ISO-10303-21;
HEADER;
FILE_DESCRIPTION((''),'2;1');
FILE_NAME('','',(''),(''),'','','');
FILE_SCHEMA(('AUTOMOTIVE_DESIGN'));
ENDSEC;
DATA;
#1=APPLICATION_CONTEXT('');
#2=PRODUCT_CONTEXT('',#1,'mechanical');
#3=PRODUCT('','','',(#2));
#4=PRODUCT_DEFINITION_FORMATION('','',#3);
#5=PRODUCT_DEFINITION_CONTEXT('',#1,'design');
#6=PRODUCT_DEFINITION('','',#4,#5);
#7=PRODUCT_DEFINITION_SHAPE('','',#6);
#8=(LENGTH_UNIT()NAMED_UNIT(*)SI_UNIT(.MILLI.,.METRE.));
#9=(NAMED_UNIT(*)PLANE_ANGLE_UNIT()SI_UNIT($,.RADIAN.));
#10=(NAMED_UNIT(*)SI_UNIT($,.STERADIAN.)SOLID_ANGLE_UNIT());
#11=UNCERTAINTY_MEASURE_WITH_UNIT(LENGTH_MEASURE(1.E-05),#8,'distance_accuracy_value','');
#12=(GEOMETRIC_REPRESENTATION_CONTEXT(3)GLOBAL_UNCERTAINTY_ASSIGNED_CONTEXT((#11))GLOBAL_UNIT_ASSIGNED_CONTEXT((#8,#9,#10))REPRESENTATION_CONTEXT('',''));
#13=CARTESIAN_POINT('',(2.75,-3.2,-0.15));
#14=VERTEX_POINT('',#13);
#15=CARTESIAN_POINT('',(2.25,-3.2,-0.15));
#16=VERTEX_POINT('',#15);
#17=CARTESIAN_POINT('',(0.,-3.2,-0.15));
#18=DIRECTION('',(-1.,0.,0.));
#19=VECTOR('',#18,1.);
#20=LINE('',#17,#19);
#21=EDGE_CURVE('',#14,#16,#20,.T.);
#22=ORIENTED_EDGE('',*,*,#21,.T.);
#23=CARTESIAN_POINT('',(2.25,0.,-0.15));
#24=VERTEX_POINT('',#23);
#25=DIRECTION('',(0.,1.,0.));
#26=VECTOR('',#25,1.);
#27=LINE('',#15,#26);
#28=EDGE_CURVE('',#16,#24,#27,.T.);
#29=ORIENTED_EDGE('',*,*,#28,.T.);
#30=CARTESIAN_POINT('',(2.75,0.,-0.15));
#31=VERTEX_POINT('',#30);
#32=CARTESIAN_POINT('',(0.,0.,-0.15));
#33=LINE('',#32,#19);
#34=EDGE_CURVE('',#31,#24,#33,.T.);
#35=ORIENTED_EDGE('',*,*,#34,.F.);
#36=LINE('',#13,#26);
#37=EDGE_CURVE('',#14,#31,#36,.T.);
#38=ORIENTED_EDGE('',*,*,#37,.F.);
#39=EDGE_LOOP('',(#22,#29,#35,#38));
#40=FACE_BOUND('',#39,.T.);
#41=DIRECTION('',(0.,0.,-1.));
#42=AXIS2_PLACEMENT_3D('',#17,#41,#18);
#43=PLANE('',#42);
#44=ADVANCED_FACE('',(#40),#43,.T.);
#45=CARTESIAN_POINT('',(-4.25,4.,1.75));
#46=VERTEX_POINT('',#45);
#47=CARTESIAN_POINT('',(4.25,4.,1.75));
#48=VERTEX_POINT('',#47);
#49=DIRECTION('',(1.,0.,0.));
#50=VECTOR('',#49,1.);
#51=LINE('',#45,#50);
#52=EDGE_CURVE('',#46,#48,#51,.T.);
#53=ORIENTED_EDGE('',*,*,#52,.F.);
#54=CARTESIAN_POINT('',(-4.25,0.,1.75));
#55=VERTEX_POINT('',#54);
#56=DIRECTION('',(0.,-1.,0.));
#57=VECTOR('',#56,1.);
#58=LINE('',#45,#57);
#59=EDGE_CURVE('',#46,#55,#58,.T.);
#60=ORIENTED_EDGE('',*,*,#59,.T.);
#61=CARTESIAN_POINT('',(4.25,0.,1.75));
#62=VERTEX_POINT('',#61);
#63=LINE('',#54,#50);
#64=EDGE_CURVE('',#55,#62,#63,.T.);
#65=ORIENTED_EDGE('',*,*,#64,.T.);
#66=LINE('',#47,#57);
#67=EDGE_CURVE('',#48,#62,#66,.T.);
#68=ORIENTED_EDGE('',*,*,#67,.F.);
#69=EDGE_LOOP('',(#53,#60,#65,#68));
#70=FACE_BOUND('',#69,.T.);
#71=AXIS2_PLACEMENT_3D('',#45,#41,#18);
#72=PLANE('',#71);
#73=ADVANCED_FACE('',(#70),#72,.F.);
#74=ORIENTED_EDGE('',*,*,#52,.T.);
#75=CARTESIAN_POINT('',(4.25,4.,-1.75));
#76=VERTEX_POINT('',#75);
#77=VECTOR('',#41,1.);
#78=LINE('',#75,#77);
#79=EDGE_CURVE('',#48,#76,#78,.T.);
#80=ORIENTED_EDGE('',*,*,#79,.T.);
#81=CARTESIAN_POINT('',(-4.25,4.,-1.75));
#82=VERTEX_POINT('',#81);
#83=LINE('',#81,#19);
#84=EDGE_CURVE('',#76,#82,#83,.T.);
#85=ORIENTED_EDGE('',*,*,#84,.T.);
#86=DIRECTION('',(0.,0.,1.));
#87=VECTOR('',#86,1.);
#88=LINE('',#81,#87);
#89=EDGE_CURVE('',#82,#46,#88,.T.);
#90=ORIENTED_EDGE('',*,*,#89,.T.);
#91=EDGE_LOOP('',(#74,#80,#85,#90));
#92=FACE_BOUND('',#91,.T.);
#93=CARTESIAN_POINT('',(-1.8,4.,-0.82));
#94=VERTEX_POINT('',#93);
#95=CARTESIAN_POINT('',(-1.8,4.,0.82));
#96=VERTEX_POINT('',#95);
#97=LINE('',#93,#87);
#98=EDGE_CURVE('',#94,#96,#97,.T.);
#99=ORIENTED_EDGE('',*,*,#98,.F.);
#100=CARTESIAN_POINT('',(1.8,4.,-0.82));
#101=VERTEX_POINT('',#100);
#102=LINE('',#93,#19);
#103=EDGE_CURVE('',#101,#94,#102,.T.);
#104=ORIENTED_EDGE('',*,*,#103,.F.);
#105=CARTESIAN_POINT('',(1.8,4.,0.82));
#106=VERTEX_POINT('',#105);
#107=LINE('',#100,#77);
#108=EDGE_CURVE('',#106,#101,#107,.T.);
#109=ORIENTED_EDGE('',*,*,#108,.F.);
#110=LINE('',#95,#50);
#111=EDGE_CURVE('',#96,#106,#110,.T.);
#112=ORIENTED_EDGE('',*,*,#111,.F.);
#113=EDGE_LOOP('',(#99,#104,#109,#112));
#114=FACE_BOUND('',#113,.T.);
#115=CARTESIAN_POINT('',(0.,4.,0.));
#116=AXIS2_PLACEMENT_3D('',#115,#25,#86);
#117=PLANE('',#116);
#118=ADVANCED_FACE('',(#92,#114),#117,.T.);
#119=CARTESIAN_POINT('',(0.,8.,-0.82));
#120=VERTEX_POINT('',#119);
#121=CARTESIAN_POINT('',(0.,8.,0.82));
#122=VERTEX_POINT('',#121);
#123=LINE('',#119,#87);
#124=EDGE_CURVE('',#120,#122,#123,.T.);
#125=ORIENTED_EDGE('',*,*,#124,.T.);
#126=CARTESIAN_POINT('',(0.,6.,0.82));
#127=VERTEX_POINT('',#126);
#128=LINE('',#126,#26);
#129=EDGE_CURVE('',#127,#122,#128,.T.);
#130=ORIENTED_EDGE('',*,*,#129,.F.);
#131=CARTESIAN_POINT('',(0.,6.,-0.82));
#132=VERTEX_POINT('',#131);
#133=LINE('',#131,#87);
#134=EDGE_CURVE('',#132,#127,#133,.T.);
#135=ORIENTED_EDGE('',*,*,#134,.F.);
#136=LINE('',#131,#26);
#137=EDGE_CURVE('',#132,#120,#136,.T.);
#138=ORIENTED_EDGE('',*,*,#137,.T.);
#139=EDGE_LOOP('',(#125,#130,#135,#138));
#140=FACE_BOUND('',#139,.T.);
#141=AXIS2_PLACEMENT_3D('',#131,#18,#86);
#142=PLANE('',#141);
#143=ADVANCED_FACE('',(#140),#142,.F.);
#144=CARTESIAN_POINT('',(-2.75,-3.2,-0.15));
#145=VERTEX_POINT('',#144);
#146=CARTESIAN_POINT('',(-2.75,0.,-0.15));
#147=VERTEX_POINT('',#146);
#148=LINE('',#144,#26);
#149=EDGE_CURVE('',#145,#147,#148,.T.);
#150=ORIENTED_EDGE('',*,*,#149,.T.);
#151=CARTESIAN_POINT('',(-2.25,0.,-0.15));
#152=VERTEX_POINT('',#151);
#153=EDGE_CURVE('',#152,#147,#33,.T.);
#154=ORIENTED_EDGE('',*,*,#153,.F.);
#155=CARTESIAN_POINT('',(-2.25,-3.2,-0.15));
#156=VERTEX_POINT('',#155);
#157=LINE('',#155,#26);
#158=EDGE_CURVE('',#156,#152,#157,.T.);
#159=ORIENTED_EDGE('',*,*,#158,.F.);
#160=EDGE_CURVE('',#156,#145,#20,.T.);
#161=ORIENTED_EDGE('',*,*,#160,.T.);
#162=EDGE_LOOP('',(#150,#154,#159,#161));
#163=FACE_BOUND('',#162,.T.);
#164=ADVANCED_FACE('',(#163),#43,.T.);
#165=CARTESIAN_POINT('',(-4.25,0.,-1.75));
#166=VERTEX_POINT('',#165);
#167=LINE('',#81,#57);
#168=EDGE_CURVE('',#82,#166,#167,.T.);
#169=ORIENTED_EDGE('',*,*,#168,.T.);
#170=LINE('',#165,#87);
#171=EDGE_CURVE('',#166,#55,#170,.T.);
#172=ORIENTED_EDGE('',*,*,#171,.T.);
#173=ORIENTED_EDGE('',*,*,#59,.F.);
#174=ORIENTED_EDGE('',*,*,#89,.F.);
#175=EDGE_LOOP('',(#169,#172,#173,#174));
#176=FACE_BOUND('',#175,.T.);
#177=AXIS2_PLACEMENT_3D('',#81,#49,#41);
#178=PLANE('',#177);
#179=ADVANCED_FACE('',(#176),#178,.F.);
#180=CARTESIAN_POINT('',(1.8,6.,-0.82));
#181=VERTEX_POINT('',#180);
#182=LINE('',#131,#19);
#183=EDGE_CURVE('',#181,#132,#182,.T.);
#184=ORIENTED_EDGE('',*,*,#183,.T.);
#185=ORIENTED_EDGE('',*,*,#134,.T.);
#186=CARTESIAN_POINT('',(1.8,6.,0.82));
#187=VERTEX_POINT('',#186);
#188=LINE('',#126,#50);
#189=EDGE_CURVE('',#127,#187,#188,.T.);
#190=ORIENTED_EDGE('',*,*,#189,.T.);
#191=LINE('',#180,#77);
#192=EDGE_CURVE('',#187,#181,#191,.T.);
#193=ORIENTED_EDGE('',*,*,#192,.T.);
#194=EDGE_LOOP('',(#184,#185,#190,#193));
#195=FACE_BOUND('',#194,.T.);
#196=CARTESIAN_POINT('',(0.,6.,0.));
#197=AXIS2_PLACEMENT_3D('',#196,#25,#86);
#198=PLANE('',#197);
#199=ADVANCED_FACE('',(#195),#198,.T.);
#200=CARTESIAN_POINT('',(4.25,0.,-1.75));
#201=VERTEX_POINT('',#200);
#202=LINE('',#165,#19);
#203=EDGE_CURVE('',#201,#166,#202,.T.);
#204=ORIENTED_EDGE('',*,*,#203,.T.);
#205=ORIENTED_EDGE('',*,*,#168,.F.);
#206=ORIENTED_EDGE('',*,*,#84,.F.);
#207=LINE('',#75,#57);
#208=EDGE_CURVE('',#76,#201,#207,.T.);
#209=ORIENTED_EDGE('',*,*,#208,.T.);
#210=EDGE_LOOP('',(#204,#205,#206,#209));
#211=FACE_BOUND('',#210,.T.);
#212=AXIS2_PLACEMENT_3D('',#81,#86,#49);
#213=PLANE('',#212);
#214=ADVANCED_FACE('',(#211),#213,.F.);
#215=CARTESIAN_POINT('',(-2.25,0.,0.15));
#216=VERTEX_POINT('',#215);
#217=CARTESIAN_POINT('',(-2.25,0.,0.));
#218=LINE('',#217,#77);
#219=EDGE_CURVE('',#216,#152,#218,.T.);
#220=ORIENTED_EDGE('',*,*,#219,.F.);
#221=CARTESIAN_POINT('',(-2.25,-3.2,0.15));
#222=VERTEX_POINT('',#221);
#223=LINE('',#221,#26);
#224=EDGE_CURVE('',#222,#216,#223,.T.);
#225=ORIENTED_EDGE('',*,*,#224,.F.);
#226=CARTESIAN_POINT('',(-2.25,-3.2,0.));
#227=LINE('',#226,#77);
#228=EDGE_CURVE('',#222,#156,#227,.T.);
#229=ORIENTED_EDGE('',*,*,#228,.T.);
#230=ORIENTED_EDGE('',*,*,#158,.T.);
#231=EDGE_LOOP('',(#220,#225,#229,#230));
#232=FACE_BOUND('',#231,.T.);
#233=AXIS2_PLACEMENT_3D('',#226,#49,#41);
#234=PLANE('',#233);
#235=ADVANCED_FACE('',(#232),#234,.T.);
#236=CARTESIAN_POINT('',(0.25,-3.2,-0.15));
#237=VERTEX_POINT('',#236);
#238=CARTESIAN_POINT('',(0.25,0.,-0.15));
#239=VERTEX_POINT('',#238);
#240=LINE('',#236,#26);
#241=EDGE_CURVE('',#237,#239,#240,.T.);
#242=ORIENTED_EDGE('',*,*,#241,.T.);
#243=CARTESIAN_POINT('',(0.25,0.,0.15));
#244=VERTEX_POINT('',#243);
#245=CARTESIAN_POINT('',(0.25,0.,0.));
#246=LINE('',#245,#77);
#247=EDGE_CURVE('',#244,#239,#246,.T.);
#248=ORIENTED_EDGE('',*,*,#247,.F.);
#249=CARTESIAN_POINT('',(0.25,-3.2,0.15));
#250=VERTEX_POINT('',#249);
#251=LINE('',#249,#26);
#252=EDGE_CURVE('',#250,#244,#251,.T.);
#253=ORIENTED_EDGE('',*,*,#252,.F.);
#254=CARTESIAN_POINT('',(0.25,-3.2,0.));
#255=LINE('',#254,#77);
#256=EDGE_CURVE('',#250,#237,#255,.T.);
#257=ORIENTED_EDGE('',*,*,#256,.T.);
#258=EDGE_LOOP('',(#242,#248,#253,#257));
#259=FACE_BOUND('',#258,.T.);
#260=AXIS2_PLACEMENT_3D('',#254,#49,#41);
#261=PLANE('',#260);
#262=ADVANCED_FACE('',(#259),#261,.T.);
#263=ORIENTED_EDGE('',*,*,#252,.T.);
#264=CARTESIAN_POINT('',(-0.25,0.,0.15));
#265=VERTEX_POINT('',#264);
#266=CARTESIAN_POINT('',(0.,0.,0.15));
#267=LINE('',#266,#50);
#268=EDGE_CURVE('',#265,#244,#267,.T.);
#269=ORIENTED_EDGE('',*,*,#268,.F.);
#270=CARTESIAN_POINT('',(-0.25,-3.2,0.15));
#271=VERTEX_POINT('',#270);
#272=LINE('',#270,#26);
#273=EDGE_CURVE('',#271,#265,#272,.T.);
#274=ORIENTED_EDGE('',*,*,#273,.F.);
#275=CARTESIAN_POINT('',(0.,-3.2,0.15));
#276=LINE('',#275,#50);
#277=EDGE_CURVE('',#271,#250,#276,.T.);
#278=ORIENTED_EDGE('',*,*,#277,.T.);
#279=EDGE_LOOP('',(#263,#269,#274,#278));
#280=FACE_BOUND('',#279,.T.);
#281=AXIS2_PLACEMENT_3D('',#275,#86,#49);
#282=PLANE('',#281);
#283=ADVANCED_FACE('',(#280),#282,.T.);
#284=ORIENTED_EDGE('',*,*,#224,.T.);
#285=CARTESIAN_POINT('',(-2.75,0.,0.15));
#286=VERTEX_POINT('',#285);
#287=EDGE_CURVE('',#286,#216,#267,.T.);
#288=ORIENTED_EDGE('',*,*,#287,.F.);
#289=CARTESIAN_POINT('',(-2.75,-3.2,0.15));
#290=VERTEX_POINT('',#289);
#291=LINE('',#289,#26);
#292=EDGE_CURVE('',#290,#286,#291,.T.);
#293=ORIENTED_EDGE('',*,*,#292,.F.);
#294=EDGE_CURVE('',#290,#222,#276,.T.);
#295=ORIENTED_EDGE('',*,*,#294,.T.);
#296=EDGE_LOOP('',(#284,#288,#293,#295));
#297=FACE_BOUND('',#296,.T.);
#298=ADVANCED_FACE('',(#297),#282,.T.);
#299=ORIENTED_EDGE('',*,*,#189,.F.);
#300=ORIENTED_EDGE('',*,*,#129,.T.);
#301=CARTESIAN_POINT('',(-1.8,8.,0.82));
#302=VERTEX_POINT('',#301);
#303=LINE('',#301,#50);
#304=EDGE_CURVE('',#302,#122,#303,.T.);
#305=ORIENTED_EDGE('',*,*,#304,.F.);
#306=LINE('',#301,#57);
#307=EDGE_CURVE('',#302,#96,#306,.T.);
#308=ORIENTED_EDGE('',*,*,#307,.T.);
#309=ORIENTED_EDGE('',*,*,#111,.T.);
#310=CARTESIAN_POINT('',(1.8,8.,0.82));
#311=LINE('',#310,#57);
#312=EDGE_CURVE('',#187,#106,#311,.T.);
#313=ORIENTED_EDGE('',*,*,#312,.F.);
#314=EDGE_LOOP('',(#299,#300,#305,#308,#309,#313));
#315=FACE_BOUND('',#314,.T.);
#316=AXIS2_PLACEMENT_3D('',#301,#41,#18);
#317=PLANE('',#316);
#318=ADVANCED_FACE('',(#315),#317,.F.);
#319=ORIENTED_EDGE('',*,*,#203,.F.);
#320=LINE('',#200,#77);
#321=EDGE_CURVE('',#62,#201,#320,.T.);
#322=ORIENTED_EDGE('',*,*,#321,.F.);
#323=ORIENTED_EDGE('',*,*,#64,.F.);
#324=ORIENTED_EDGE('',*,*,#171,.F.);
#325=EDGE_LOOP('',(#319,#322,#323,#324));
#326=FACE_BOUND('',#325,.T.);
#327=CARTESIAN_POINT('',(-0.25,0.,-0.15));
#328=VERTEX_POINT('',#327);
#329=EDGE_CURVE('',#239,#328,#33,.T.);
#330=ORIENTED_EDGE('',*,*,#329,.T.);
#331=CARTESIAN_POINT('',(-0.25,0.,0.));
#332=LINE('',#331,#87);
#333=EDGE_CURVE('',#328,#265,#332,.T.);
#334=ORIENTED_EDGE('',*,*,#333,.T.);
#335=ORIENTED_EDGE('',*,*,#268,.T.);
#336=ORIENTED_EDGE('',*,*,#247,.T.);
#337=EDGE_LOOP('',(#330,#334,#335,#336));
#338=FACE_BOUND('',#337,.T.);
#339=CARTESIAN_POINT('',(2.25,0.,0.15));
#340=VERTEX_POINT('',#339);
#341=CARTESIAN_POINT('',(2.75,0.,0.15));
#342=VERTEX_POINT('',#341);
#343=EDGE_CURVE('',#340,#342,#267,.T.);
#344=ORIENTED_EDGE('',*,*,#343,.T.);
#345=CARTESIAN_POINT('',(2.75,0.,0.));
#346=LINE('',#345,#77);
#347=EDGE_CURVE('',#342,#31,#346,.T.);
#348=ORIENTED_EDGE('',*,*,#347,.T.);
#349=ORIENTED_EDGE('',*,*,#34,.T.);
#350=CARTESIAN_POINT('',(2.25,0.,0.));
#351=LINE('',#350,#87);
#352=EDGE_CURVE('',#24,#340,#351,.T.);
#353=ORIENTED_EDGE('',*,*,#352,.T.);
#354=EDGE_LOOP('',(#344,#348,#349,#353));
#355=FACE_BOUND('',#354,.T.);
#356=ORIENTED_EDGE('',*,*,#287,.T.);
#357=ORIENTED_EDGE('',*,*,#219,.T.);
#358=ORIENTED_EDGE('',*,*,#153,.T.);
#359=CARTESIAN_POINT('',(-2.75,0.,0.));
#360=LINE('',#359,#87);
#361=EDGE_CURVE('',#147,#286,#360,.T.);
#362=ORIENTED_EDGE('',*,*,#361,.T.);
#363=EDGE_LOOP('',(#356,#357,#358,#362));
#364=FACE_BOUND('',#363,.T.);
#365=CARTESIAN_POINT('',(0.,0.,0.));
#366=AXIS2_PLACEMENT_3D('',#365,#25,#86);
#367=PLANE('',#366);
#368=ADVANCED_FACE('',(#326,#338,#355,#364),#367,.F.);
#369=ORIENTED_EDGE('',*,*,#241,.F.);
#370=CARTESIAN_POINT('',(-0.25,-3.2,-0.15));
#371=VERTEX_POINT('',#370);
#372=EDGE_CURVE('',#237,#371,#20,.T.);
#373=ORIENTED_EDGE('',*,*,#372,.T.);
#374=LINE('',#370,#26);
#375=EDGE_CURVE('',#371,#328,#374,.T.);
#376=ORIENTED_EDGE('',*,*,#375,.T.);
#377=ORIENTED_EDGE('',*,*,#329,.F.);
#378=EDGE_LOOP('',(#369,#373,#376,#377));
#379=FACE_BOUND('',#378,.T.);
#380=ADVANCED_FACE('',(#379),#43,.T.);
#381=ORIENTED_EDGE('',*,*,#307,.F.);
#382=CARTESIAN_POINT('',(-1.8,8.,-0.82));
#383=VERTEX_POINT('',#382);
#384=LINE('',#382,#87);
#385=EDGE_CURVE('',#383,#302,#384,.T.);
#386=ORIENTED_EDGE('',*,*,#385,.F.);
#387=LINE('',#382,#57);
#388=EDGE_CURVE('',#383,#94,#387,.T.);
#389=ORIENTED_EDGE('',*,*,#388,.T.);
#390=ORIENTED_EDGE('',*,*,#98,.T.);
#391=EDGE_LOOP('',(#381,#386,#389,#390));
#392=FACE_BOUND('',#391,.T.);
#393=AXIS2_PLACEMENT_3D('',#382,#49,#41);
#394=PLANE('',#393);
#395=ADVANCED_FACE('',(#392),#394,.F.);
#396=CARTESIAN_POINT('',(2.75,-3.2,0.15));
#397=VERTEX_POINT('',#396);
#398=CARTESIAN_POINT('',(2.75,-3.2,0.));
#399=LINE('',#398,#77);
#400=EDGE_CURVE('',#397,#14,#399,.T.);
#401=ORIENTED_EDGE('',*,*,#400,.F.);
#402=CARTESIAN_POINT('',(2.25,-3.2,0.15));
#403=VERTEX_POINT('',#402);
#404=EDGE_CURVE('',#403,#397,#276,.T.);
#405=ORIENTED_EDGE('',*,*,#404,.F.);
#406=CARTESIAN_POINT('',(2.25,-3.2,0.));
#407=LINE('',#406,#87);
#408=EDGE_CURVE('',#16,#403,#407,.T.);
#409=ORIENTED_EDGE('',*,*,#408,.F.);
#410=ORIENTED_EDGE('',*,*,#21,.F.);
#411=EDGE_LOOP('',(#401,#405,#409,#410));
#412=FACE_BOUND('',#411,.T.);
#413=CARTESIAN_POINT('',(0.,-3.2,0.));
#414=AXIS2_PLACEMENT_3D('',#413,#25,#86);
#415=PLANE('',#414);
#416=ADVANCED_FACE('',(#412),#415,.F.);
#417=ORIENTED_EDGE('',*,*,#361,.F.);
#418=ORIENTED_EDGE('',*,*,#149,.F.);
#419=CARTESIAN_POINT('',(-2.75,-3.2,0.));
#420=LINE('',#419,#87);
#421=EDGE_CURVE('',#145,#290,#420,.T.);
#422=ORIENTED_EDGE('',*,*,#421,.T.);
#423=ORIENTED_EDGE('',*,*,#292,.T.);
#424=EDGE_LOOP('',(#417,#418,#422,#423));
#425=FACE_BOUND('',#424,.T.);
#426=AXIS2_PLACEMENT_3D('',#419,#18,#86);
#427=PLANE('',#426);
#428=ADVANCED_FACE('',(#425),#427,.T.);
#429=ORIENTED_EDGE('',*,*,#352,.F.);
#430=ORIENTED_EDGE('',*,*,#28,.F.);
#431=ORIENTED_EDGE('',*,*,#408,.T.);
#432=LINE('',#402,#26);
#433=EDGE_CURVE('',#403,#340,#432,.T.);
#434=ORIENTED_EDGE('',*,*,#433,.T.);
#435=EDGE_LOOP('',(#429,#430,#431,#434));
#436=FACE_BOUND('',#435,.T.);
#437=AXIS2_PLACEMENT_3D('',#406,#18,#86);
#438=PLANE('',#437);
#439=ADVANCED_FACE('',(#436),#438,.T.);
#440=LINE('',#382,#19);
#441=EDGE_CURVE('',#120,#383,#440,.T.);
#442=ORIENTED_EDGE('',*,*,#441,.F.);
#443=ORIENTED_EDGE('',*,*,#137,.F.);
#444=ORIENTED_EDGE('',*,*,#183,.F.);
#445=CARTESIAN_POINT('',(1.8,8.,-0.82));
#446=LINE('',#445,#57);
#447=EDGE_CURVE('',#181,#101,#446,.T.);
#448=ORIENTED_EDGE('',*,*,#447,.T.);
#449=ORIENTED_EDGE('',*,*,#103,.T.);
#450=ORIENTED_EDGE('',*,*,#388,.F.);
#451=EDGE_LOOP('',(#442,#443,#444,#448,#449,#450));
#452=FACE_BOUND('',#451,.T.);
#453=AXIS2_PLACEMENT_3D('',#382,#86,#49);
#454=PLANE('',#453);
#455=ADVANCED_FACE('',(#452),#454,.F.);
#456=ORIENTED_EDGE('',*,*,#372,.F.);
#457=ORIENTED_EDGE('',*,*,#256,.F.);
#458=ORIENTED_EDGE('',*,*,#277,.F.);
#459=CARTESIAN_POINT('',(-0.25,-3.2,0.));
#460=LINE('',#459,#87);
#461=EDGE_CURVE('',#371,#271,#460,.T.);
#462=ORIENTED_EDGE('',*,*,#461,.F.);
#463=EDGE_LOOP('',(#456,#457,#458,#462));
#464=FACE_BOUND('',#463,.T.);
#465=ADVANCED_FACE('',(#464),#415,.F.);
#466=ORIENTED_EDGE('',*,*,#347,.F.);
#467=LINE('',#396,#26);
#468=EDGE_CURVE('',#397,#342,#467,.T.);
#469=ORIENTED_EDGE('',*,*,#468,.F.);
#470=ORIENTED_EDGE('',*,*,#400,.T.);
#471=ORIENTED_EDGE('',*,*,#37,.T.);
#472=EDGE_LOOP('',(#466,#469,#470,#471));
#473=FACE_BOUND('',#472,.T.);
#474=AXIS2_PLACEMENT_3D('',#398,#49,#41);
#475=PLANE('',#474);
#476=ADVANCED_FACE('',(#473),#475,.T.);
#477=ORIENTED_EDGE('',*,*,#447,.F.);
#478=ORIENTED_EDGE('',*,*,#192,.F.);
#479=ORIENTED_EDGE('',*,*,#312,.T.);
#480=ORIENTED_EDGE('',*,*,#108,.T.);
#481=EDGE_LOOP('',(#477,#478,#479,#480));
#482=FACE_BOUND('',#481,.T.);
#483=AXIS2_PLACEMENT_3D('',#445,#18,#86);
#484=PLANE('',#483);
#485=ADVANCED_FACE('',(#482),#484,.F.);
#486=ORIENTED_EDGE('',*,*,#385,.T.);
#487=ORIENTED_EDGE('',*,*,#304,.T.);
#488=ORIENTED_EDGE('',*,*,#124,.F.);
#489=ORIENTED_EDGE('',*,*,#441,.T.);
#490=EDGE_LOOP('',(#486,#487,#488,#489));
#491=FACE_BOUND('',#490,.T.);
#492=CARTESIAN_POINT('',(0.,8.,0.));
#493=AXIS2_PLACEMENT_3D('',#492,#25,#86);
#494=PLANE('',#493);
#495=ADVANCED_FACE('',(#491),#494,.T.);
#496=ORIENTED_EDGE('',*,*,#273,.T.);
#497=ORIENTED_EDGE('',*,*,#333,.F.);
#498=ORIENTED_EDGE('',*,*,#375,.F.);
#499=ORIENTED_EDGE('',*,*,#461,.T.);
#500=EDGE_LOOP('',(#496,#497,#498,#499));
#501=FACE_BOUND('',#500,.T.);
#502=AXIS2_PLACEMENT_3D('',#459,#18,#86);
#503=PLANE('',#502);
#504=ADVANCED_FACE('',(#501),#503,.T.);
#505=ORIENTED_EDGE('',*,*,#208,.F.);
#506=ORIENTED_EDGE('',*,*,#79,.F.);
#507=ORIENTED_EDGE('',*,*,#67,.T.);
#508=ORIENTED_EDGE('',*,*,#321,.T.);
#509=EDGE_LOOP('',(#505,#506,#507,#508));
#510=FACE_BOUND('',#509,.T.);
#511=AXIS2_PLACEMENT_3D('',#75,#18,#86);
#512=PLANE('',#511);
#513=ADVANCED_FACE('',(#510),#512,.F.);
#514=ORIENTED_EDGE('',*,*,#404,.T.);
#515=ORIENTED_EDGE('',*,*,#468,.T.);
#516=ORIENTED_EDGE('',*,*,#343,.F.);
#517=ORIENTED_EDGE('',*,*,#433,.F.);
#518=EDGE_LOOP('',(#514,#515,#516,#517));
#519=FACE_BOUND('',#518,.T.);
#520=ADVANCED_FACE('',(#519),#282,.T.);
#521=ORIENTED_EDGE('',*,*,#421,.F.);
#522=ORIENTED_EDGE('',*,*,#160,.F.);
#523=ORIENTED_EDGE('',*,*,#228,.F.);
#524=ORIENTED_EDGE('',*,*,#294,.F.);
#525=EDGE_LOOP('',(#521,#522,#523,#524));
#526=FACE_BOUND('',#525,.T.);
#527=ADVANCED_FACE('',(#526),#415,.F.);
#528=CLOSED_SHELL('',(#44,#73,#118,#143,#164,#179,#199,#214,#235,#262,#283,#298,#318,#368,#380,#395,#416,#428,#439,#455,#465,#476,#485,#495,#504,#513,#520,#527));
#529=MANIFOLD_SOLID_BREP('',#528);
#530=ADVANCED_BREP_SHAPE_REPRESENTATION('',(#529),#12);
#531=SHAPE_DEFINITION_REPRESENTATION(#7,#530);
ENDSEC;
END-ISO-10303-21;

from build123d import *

# Parameters (mm, degrees)
SKETCH_1_W          = 8.5
SKETCH_1_H          = 3.5
EXTRUDE_1_DEPTH     = 4
SKETCH_2_W          = 3.6
SKETCH_2_H          = 1.64
EXTRUDE_2_DEPTH     = 4
SKETCH_3_W          = 1.8
SKETCH_3_H          = 1.64
CUT_EXTRUDE_1_DEPTH = 2
EXTRUDE_START       = -4
SKETCH_4_W          = 0.5
SKETCH_4_H          = 0.3
EXTRUDE_3_DEPTH     = 7.2


with BuildPart() as part:
    # 草图1 → 凸台-拉伸1 (new body)
    with BuildSketch(Plane(origin=(0, 0, 0), x_dir=(1, 0, 0), z_dir=(0, 1, 0))):
        Rectangle(SKETCH_1_W, SKETCH_1_H)
    extrude(amount=EXTRUDE_1_DEPTH)

    # 草图2 → 凸台-拉伸2 (add)
    with BuildSketch(Plane(origin=(0, 4, 0), x_dir=(1, 0, 0), z_dir=(0, 1, 0))):
        Rectangle(SKETCH_2_W, SKETCH_2_H)
    extrude(amount=EXTRUDE_2_DEPTH)

    # 草图3 → 切除-拉伸1 (cut)
    with BuildSketch(Plane(origin=(0, 8, 0), x_dir=(1, 0, 0), z_dir=(0, 1, 0))):
        with Locations((0.9, 0)):
            Rectangle(SKETCH_3_W, SKETCH_3_H)
    extrude(amount=-CUT_EXTRUDE_1_DEPTH, mode=Mode.SUBTRACT)

    # 草图4 → 凸台-拉伸3 (add)
    with BuildSketch(Plane.XZ.offset(EXTRUDE_START)):
        with Locations((2.5, 0)):
            Rectangle(SKETCH_4_W, SKETCH_4_H)
        Rectangle(SKETCH_4_W, SKETCH_4_H)
        with Locations((-2.5, 0)):
            Rectangle(SKETCH_4_W, SKETCH_4_H)
    extrude(amount=EXTRUDE_3_DEPTH)


solid = part.part
